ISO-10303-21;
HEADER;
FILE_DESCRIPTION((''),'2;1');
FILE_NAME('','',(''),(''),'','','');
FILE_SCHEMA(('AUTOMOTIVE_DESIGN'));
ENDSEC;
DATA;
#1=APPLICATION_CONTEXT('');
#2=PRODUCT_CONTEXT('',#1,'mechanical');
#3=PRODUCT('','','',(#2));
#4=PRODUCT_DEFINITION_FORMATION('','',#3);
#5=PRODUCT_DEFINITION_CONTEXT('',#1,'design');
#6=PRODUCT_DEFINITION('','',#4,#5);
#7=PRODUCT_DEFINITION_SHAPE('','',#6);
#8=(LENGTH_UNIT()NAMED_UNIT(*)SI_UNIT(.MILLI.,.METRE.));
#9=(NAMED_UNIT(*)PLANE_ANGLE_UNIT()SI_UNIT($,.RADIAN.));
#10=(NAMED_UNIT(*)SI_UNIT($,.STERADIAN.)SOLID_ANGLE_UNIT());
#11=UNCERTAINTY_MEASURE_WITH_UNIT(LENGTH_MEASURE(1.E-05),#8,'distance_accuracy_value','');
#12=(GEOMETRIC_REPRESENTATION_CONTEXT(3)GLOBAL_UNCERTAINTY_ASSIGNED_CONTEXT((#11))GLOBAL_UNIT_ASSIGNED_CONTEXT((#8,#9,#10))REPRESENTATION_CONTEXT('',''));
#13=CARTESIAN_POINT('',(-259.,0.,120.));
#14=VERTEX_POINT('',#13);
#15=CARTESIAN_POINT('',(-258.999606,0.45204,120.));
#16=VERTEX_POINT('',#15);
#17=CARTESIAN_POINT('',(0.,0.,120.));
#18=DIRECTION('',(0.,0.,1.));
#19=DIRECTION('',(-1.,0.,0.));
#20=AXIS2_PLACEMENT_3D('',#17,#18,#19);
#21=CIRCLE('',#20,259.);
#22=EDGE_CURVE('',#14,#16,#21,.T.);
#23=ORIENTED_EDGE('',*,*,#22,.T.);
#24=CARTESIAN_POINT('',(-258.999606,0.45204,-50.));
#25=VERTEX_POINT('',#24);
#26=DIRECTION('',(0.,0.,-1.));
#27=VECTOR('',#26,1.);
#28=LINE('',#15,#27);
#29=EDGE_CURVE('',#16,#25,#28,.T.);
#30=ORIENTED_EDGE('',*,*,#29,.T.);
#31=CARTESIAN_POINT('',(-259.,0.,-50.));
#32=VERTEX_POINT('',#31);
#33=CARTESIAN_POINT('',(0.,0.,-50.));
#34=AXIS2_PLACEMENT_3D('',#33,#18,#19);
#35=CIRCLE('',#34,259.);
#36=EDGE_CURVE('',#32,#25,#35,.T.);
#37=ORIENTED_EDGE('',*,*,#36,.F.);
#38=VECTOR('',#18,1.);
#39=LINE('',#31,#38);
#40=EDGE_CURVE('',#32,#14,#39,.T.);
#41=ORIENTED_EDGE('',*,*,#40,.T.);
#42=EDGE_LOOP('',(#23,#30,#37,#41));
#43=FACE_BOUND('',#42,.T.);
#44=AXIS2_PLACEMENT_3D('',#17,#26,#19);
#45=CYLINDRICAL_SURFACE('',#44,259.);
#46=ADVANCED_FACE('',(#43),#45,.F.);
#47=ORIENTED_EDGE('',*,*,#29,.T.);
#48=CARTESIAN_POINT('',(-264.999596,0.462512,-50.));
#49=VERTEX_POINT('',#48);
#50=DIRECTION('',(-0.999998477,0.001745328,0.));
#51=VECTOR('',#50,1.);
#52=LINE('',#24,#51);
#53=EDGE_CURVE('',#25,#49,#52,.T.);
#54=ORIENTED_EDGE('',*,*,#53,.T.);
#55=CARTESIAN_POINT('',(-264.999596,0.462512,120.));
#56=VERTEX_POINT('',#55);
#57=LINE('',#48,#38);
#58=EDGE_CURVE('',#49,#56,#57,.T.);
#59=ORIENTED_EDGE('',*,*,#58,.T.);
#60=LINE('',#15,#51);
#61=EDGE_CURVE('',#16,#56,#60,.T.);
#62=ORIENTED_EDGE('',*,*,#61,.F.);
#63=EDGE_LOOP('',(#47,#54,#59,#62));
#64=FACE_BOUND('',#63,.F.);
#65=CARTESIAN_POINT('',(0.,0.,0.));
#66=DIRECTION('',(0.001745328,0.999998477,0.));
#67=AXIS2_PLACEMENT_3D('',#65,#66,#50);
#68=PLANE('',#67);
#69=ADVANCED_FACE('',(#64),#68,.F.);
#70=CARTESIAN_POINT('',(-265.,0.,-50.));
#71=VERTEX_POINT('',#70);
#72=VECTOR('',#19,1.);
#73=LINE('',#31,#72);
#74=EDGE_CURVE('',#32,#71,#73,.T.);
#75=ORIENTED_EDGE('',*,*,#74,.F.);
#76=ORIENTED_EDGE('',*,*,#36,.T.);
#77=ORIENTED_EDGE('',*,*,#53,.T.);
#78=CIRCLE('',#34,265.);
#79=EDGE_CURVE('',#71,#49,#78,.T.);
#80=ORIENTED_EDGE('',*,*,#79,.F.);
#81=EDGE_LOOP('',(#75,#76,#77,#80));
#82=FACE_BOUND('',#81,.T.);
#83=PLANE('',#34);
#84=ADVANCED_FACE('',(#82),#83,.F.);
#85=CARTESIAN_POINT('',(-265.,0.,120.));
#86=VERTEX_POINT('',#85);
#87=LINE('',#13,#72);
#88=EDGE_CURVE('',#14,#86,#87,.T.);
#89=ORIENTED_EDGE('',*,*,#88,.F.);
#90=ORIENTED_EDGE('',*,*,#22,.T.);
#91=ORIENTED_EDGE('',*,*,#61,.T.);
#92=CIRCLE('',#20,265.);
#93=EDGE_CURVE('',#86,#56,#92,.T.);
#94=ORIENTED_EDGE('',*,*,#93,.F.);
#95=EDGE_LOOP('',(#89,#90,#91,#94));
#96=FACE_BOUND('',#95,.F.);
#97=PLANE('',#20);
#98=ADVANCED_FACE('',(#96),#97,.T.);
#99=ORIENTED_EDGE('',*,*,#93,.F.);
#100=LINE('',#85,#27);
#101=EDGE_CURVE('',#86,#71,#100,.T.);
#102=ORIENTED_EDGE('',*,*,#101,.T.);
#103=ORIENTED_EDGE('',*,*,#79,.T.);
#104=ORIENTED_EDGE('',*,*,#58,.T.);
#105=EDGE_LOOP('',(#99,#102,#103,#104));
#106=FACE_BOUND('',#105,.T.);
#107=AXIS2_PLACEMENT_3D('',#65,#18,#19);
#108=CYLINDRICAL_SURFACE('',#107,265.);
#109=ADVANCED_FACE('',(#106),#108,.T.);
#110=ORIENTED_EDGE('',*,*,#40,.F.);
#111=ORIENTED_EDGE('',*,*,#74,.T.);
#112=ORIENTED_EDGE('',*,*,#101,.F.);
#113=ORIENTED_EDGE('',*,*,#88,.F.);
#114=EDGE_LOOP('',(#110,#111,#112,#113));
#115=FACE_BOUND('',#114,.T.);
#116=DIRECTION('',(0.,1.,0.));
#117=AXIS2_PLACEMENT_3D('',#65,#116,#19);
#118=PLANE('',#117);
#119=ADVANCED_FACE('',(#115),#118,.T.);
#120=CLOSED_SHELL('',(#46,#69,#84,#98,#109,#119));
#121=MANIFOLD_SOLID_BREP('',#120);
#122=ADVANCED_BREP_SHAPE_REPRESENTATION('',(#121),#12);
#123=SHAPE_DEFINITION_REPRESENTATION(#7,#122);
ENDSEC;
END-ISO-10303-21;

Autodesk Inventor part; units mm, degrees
ref_plane "YZ Plane" through (0, 0, 0) normal (1, 0, 0) x (0, 1, 0)
ref_plane "XZ Plane" through (0, 0, 0) normal (0, 1, 0) x (-1, 0, 0)
ref_plane "XY Plane" through (0, 0, 0) normal (0, 0, 1) x (1, 0, 0)
sketch "Sketch1" plane through (0, 0, 0) normal (0, 1, 0) x (-1, 0, 0)
  line L0 (259, 120) -> (259, 0)
  line L1 (259, 0) -> (265, 0)
  line L2 (0, 0) -> (0, 109.131)
  line L3 (259, 120) -> (265, 120)
  line L4 (265, 0) -> (265, 120)
  line L5 (265, 0) -> (259, 0)
  line L6 (259, 0) -> (259, -50)
  line L7 (259, -50) -> (265, -50)
  line L8 (265, -50) -> (265, 0)
  point P0 (262, 0)
  point P1 (265, 0)
  point P2 (259, 0)
  dimension "d3" = 6
  dimension "d5" = 120
  dimension "d7" = 6
  dimension "d8" = 50
  dimension "d12" = 530
revolve "Revolution1" add sketch "Sketch1" angle 359.9 about axis through (0, 0, 0) along (0, 0, 1)
equation "\"d7\" = d3"
equation "\"d12\" = AccsessHatch_tube_diameter"
equation "\"BendRadius\" = Thickness"
equation "\"BendReliefWidth\" = Thickness"
equation "\"BendReliefDepth\" = 0.5 * Thickness"
equation "\"CornerReliefSize\" = 4 * Thickness"
equation "\"MinimumRemnant\" = 2 * Thickness"
equation "\"TransitionRadius\" = BendRadius"
equation "\"JacobiRadiusSize\" = BendRadius"
equation "\"GapSize\" = Thickness"
equation "\"AccsessHatch_tube_diameter\" = 530"
equation "\"Thickness\" = 6"
properties part number "PRS 9311 accses hatch tube_D1200 940"
